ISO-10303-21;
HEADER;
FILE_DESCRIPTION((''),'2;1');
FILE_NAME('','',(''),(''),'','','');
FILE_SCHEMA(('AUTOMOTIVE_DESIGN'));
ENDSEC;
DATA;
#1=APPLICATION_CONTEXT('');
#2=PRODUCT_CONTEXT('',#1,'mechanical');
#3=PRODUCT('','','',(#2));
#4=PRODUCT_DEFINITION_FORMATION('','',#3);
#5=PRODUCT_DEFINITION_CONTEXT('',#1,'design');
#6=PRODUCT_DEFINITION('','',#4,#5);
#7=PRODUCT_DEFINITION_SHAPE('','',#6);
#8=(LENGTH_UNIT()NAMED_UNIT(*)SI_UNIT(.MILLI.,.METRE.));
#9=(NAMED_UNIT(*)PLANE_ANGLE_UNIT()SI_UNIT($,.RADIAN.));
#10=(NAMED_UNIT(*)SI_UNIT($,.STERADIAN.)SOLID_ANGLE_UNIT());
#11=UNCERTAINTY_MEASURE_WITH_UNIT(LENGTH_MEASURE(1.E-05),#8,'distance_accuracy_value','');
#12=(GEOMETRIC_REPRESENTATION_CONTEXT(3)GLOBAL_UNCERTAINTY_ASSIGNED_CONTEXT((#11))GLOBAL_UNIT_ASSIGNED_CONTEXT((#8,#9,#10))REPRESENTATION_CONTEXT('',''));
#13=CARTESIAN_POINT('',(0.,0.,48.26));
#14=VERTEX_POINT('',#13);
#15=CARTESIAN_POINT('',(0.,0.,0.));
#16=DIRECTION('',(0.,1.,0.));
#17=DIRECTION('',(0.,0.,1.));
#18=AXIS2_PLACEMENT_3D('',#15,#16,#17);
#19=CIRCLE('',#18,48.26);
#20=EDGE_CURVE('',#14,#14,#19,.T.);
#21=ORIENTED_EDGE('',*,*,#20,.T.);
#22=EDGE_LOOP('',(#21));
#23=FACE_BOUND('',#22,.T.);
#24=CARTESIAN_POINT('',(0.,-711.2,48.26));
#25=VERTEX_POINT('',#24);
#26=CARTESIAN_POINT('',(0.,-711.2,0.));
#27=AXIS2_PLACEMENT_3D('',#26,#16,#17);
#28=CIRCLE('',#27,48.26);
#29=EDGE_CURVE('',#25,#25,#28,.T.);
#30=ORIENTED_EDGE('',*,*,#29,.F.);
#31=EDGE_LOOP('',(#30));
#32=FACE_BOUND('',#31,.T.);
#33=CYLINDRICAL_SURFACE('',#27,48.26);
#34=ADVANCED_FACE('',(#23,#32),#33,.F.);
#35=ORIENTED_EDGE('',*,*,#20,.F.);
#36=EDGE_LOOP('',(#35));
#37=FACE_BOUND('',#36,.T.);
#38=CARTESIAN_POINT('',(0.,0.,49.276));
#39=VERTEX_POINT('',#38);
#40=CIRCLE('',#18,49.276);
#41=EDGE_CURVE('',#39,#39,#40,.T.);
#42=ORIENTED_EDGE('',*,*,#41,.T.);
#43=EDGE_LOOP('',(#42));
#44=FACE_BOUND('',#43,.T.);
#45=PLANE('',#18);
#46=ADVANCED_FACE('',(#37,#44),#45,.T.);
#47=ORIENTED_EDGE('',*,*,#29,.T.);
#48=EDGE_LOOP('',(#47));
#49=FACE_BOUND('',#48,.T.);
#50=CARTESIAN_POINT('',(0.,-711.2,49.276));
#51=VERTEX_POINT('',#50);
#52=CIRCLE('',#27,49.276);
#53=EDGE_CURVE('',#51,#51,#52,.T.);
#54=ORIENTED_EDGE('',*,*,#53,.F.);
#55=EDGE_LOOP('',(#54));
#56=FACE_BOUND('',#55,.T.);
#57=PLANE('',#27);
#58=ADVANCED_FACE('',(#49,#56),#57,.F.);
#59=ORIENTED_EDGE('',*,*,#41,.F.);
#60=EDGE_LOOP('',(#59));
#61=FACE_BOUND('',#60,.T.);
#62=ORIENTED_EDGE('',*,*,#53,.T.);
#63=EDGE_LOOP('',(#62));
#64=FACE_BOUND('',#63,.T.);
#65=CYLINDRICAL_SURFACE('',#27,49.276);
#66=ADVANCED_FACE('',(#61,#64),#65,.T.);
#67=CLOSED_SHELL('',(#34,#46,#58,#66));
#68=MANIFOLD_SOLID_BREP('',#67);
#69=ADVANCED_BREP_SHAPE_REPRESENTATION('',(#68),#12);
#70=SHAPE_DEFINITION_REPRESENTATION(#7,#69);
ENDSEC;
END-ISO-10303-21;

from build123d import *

# Parameters (mm, degrees)
SKETCH5_R           = 49.276
SKETCH5_R_2         = 48.26
BOSS_EXTRUDE1_DEPTH = 711.2


with BuildPart() as part:
    # Sketch5 → Boss-Extrude1 (new body)
    with BuildSketch(Plane(origin=(0, 0, 0), x_dir=(1, 0, 0), z_dir=(0, 1, 0))):
        with Locations(Location((0, 0, 0), (0, 0, 270))):
            Circle(SKETCH5_R)
        with Locations(Location((0, 0, 0), (0, 0, 270))):
            Circle(SKETCH5_R_2, mode=Mode.SUBTRACT)
    extrude(amount=-BOSS_EXTRUDE1_DEPTH)


solid = part.part
